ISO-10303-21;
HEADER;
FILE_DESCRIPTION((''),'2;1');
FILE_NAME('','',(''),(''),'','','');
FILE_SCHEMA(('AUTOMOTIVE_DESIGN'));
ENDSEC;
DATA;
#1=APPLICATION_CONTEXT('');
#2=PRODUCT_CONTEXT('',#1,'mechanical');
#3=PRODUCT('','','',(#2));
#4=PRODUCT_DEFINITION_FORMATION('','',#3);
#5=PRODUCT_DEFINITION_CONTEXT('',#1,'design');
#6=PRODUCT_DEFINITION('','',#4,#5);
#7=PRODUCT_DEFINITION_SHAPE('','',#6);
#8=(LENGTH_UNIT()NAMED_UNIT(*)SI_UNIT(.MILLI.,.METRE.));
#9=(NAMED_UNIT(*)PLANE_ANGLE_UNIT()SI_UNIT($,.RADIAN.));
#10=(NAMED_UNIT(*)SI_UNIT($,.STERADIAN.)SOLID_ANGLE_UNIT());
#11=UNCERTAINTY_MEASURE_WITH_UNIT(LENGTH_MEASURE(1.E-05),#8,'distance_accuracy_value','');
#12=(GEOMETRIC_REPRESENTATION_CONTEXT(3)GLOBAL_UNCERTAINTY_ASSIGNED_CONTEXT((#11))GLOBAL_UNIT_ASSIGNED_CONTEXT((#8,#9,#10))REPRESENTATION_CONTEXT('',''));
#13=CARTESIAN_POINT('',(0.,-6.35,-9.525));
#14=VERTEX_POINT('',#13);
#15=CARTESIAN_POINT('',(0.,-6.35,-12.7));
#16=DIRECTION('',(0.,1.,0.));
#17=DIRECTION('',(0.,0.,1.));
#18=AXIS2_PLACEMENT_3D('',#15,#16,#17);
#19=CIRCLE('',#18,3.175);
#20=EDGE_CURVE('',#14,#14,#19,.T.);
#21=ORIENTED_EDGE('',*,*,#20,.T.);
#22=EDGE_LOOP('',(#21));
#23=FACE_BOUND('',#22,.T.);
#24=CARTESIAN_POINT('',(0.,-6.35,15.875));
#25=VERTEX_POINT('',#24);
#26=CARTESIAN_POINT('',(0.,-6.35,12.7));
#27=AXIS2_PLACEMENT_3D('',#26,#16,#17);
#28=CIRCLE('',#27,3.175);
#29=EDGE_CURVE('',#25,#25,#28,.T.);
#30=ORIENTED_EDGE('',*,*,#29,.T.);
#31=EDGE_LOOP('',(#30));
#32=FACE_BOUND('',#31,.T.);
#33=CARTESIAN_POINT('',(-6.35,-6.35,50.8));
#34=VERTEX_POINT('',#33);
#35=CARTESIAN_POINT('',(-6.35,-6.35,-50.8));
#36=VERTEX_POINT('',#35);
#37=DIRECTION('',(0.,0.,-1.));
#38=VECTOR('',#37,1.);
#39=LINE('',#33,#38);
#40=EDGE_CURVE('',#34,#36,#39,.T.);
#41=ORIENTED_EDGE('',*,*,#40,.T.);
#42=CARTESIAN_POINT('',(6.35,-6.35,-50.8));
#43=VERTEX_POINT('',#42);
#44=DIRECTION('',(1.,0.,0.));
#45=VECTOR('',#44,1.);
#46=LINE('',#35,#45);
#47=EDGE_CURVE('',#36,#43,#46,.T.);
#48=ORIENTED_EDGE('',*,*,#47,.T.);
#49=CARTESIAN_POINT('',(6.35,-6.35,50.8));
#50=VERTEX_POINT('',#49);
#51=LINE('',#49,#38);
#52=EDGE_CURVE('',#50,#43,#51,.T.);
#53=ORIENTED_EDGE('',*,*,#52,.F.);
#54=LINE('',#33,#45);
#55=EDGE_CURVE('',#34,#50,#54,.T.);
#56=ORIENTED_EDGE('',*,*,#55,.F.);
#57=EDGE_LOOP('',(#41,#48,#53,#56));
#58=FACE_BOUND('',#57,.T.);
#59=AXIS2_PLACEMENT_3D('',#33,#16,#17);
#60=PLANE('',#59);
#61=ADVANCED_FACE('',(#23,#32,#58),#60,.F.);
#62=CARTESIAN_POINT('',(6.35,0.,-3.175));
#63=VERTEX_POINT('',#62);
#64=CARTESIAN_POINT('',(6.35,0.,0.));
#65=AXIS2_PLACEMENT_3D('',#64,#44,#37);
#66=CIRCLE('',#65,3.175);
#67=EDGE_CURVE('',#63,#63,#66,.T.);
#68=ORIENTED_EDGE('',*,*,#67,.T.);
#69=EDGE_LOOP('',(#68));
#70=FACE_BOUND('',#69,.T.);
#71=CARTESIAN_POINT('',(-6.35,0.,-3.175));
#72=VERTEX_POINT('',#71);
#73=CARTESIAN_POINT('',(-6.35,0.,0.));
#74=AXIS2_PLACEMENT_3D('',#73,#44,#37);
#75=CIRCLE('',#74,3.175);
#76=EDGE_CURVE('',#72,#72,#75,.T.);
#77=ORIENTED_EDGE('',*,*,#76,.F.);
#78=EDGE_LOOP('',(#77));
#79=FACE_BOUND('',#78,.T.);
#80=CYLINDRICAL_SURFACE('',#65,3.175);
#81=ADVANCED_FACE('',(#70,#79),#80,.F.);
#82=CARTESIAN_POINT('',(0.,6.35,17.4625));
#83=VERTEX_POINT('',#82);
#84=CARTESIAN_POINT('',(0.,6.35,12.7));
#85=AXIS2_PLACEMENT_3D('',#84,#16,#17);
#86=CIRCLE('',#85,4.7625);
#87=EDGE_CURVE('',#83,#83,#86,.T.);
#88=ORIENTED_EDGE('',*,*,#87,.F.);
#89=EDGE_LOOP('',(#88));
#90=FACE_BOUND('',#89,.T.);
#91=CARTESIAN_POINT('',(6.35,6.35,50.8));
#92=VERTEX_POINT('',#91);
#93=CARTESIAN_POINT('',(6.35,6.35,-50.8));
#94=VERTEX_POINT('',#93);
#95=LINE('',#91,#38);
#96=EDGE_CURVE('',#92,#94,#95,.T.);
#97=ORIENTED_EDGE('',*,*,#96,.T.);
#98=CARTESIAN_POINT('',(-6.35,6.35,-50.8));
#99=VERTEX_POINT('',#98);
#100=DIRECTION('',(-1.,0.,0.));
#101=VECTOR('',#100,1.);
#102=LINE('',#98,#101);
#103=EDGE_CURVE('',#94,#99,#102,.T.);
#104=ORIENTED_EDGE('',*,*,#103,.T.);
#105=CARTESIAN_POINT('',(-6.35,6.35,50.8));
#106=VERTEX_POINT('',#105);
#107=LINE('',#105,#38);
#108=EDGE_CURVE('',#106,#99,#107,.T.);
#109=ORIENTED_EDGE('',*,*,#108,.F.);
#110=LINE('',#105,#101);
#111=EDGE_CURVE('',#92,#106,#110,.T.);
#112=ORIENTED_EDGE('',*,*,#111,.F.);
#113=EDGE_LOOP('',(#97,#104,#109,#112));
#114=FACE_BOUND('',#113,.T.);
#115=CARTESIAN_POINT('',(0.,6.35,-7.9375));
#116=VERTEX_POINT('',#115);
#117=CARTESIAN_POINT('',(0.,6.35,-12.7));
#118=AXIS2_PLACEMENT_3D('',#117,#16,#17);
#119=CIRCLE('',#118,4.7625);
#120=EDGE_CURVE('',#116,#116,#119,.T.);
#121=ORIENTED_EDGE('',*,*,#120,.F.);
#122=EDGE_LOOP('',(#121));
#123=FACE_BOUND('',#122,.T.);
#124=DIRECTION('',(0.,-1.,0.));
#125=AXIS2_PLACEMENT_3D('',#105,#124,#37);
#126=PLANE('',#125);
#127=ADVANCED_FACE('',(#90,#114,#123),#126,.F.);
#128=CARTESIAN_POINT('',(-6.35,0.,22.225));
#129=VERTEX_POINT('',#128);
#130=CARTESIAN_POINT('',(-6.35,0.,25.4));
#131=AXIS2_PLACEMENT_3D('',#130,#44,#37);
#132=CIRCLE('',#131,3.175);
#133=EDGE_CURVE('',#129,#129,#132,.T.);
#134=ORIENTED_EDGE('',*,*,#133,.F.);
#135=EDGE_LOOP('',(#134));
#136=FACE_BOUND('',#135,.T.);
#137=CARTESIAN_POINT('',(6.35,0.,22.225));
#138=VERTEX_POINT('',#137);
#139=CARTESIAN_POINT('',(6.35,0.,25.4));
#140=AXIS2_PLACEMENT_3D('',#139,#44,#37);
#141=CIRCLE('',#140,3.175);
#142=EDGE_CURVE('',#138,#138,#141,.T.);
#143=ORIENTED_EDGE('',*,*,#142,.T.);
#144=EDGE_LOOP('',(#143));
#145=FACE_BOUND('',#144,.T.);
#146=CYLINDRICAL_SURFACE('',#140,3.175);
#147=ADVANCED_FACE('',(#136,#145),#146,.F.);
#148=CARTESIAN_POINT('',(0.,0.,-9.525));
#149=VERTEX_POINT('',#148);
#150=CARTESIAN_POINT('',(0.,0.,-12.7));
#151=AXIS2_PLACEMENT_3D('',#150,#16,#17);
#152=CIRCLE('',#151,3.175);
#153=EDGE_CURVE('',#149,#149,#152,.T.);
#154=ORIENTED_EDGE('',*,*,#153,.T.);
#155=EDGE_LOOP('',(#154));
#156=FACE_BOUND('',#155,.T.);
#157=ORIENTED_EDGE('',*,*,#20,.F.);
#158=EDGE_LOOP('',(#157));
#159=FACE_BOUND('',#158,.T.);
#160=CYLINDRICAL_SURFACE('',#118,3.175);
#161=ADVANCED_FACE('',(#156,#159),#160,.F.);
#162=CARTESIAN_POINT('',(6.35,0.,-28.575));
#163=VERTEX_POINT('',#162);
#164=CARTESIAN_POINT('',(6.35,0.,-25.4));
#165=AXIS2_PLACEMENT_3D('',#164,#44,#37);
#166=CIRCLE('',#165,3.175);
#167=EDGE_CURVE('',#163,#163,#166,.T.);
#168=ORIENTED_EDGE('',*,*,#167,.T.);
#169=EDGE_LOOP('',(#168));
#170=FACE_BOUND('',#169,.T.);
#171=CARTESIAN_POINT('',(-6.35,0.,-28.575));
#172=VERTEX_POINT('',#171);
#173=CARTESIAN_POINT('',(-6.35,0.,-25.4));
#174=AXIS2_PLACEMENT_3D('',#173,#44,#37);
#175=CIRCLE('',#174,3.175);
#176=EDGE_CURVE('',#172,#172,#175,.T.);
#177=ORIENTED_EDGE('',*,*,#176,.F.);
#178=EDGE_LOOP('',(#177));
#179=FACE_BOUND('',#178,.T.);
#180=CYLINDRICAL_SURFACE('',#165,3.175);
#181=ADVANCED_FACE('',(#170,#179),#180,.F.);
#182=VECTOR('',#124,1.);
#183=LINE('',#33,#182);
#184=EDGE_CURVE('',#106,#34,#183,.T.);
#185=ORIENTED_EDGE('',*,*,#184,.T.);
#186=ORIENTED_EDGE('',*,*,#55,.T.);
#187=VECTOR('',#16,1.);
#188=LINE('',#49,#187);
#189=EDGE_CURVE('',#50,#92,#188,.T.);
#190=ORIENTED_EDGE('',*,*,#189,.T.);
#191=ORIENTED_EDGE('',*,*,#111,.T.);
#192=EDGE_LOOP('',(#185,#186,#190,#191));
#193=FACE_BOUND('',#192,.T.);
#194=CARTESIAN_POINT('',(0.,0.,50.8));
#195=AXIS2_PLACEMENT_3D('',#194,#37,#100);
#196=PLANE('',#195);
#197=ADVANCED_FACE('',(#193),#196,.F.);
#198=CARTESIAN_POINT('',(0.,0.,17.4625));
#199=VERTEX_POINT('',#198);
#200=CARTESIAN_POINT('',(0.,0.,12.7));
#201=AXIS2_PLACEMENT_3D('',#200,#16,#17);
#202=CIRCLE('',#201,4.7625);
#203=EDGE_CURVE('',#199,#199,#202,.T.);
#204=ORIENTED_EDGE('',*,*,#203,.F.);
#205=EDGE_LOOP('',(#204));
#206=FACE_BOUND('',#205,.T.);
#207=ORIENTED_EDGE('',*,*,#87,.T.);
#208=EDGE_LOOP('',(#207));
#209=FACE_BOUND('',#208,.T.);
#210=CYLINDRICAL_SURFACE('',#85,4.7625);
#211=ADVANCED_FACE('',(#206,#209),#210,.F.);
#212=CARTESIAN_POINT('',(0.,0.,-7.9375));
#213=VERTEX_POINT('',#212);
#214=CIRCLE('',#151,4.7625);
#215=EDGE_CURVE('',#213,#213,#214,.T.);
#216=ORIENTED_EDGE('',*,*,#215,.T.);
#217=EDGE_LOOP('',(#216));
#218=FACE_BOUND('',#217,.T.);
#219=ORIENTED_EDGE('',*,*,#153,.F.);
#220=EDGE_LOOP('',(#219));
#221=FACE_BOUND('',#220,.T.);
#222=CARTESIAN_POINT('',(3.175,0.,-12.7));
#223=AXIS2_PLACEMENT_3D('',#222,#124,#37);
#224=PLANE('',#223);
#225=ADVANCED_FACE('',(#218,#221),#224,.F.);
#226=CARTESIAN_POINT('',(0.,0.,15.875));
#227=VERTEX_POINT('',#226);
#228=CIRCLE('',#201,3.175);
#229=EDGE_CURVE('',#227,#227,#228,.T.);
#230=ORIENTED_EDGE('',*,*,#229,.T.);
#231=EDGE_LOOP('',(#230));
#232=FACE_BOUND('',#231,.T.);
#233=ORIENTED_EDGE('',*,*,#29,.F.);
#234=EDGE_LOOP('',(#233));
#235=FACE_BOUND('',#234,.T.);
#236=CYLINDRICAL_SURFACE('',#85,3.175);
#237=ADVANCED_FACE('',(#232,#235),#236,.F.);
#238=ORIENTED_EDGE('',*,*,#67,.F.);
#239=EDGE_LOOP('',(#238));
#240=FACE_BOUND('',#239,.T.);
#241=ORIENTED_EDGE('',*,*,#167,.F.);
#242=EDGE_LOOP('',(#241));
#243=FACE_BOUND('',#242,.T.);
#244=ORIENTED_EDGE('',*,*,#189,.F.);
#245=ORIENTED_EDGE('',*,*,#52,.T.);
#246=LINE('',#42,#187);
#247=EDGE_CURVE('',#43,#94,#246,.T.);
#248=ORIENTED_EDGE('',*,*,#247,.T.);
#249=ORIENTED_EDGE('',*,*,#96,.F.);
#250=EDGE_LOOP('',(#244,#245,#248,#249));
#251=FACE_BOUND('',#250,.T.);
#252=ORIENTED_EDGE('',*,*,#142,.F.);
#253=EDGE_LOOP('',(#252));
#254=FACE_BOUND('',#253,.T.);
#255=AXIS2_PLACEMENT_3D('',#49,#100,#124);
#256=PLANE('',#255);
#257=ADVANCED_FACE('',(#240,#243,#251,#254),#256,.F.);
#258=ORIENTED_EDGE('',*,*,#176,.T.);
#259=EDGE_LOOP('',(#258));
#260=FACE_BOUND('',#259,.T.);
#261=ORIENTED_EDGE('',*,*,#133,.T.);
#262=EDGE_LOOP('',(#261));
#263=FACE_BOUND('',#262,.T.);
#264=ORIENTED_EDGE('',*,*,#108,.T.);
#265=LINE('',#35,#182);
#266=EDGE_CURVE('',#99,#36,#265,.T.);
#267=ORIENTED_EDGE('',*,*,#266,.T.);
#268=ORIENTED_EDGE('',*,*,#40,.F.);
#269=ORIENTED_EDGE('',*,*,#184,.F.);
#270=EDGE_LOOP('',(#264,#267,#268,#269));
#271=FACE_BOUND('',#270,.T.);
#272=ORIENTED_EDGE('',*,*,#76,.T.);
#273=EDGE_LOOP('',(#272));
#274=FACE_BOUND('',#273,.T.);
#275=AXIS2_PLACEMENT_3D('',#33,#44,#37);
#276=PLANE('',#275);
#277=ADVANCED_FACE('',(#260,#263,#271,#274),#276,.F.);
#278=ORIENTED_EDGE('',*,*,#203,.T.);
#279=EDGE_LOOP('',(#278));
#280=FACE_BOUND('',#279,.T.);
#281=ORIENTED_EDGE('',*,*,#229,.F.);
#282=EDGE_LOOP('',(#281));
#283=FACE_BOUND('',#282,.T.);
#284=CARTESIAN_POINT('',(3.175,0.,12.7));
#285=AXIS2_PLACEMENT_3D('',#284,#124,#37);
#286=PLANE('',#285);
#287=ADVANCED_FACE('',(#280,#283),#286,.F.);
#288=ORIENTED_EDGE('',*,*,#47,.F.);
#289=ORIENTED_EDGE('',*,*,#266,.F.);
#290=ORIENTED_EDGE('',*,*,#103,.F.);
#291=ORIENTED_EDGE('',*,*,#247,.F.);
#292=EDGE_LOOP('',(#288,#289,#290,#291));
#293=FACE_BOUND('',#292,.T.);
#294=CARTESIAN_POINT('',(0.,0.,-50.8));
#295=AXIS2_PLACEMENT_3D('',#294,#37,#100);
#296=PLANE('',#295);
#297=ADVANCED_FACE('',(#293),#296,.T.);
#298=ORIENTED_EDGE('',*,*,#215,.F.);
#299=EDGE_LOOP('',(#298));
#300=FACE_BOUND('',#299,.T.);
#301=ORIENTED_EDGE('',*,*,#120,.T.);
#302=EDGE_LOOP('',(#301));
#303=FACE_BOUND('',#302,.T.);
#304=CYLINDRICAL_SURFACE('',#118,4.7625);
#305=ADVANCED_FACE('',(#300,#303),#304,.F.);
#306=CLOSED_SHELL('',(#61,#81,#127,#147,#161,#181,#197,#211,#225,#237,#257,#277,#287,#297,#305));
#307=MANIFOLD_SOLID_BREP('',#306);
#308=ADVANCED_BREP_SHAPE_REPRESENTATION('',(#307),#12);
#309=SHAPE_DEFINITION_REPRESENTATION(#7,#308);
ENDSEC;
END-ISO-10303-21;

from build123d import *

# Parameters (mm, degrees)
SKETCH2_W                            = 12.7
SKETCH2_H                            = 12.7
BOSS_EXTRUDE1_DEPTH                  = 50.8
F_1_4_20_THREADED_C_BORE_D           = 6.35
F_1_4_20_THREADED_C_BORE_CBORE_D     = 9.525
F_1_4_20_THREADED_C_BORE_CBORE_DEPTH = 6.35
F_1_4_20_THREADED_HOLE_D             = 6.35


with BuildPart() as part:
    # Sketch2 → Boss-Extrude1 (new, symmetric)
    with BuildSketch(Plane.XY):
        Rectangle(SKETCH2_W, SKETCH2_H)
    extrude(amount=BOSS_EXTRUDE1_DEPTH, both=True)

    # 1/4"-20 threaded C-Bore (through all)
    with Locations(Plane(origin=(0, 6.35, 0), x_dir=(1, 0, 0), z_dir=(0, 1, 0))):
        with Locations((0, 12.7), (0, -12.7)):
            CounterBoreHole(F_1_4_20_THREADED_C_BORE_D / 2, F_1_4_20_THREADED_C_BORE_CBORE_D / 2, F_1_4_20_THREADED_C_BORE_CBORE_DEPTH)

    # 1/4"-20 threaded hole (through all)
    with Locations(Plane(origin=(6.35, 0, 0), x_dir=(0, 0, -1), z_dir=(1, 0, 0))):
        with Locations((-25.4, 0), (0, 0), (25.4, 0)):
            Hole(F_1_4_20_THREADED_HOLE_D / 2)


solid = part.part
